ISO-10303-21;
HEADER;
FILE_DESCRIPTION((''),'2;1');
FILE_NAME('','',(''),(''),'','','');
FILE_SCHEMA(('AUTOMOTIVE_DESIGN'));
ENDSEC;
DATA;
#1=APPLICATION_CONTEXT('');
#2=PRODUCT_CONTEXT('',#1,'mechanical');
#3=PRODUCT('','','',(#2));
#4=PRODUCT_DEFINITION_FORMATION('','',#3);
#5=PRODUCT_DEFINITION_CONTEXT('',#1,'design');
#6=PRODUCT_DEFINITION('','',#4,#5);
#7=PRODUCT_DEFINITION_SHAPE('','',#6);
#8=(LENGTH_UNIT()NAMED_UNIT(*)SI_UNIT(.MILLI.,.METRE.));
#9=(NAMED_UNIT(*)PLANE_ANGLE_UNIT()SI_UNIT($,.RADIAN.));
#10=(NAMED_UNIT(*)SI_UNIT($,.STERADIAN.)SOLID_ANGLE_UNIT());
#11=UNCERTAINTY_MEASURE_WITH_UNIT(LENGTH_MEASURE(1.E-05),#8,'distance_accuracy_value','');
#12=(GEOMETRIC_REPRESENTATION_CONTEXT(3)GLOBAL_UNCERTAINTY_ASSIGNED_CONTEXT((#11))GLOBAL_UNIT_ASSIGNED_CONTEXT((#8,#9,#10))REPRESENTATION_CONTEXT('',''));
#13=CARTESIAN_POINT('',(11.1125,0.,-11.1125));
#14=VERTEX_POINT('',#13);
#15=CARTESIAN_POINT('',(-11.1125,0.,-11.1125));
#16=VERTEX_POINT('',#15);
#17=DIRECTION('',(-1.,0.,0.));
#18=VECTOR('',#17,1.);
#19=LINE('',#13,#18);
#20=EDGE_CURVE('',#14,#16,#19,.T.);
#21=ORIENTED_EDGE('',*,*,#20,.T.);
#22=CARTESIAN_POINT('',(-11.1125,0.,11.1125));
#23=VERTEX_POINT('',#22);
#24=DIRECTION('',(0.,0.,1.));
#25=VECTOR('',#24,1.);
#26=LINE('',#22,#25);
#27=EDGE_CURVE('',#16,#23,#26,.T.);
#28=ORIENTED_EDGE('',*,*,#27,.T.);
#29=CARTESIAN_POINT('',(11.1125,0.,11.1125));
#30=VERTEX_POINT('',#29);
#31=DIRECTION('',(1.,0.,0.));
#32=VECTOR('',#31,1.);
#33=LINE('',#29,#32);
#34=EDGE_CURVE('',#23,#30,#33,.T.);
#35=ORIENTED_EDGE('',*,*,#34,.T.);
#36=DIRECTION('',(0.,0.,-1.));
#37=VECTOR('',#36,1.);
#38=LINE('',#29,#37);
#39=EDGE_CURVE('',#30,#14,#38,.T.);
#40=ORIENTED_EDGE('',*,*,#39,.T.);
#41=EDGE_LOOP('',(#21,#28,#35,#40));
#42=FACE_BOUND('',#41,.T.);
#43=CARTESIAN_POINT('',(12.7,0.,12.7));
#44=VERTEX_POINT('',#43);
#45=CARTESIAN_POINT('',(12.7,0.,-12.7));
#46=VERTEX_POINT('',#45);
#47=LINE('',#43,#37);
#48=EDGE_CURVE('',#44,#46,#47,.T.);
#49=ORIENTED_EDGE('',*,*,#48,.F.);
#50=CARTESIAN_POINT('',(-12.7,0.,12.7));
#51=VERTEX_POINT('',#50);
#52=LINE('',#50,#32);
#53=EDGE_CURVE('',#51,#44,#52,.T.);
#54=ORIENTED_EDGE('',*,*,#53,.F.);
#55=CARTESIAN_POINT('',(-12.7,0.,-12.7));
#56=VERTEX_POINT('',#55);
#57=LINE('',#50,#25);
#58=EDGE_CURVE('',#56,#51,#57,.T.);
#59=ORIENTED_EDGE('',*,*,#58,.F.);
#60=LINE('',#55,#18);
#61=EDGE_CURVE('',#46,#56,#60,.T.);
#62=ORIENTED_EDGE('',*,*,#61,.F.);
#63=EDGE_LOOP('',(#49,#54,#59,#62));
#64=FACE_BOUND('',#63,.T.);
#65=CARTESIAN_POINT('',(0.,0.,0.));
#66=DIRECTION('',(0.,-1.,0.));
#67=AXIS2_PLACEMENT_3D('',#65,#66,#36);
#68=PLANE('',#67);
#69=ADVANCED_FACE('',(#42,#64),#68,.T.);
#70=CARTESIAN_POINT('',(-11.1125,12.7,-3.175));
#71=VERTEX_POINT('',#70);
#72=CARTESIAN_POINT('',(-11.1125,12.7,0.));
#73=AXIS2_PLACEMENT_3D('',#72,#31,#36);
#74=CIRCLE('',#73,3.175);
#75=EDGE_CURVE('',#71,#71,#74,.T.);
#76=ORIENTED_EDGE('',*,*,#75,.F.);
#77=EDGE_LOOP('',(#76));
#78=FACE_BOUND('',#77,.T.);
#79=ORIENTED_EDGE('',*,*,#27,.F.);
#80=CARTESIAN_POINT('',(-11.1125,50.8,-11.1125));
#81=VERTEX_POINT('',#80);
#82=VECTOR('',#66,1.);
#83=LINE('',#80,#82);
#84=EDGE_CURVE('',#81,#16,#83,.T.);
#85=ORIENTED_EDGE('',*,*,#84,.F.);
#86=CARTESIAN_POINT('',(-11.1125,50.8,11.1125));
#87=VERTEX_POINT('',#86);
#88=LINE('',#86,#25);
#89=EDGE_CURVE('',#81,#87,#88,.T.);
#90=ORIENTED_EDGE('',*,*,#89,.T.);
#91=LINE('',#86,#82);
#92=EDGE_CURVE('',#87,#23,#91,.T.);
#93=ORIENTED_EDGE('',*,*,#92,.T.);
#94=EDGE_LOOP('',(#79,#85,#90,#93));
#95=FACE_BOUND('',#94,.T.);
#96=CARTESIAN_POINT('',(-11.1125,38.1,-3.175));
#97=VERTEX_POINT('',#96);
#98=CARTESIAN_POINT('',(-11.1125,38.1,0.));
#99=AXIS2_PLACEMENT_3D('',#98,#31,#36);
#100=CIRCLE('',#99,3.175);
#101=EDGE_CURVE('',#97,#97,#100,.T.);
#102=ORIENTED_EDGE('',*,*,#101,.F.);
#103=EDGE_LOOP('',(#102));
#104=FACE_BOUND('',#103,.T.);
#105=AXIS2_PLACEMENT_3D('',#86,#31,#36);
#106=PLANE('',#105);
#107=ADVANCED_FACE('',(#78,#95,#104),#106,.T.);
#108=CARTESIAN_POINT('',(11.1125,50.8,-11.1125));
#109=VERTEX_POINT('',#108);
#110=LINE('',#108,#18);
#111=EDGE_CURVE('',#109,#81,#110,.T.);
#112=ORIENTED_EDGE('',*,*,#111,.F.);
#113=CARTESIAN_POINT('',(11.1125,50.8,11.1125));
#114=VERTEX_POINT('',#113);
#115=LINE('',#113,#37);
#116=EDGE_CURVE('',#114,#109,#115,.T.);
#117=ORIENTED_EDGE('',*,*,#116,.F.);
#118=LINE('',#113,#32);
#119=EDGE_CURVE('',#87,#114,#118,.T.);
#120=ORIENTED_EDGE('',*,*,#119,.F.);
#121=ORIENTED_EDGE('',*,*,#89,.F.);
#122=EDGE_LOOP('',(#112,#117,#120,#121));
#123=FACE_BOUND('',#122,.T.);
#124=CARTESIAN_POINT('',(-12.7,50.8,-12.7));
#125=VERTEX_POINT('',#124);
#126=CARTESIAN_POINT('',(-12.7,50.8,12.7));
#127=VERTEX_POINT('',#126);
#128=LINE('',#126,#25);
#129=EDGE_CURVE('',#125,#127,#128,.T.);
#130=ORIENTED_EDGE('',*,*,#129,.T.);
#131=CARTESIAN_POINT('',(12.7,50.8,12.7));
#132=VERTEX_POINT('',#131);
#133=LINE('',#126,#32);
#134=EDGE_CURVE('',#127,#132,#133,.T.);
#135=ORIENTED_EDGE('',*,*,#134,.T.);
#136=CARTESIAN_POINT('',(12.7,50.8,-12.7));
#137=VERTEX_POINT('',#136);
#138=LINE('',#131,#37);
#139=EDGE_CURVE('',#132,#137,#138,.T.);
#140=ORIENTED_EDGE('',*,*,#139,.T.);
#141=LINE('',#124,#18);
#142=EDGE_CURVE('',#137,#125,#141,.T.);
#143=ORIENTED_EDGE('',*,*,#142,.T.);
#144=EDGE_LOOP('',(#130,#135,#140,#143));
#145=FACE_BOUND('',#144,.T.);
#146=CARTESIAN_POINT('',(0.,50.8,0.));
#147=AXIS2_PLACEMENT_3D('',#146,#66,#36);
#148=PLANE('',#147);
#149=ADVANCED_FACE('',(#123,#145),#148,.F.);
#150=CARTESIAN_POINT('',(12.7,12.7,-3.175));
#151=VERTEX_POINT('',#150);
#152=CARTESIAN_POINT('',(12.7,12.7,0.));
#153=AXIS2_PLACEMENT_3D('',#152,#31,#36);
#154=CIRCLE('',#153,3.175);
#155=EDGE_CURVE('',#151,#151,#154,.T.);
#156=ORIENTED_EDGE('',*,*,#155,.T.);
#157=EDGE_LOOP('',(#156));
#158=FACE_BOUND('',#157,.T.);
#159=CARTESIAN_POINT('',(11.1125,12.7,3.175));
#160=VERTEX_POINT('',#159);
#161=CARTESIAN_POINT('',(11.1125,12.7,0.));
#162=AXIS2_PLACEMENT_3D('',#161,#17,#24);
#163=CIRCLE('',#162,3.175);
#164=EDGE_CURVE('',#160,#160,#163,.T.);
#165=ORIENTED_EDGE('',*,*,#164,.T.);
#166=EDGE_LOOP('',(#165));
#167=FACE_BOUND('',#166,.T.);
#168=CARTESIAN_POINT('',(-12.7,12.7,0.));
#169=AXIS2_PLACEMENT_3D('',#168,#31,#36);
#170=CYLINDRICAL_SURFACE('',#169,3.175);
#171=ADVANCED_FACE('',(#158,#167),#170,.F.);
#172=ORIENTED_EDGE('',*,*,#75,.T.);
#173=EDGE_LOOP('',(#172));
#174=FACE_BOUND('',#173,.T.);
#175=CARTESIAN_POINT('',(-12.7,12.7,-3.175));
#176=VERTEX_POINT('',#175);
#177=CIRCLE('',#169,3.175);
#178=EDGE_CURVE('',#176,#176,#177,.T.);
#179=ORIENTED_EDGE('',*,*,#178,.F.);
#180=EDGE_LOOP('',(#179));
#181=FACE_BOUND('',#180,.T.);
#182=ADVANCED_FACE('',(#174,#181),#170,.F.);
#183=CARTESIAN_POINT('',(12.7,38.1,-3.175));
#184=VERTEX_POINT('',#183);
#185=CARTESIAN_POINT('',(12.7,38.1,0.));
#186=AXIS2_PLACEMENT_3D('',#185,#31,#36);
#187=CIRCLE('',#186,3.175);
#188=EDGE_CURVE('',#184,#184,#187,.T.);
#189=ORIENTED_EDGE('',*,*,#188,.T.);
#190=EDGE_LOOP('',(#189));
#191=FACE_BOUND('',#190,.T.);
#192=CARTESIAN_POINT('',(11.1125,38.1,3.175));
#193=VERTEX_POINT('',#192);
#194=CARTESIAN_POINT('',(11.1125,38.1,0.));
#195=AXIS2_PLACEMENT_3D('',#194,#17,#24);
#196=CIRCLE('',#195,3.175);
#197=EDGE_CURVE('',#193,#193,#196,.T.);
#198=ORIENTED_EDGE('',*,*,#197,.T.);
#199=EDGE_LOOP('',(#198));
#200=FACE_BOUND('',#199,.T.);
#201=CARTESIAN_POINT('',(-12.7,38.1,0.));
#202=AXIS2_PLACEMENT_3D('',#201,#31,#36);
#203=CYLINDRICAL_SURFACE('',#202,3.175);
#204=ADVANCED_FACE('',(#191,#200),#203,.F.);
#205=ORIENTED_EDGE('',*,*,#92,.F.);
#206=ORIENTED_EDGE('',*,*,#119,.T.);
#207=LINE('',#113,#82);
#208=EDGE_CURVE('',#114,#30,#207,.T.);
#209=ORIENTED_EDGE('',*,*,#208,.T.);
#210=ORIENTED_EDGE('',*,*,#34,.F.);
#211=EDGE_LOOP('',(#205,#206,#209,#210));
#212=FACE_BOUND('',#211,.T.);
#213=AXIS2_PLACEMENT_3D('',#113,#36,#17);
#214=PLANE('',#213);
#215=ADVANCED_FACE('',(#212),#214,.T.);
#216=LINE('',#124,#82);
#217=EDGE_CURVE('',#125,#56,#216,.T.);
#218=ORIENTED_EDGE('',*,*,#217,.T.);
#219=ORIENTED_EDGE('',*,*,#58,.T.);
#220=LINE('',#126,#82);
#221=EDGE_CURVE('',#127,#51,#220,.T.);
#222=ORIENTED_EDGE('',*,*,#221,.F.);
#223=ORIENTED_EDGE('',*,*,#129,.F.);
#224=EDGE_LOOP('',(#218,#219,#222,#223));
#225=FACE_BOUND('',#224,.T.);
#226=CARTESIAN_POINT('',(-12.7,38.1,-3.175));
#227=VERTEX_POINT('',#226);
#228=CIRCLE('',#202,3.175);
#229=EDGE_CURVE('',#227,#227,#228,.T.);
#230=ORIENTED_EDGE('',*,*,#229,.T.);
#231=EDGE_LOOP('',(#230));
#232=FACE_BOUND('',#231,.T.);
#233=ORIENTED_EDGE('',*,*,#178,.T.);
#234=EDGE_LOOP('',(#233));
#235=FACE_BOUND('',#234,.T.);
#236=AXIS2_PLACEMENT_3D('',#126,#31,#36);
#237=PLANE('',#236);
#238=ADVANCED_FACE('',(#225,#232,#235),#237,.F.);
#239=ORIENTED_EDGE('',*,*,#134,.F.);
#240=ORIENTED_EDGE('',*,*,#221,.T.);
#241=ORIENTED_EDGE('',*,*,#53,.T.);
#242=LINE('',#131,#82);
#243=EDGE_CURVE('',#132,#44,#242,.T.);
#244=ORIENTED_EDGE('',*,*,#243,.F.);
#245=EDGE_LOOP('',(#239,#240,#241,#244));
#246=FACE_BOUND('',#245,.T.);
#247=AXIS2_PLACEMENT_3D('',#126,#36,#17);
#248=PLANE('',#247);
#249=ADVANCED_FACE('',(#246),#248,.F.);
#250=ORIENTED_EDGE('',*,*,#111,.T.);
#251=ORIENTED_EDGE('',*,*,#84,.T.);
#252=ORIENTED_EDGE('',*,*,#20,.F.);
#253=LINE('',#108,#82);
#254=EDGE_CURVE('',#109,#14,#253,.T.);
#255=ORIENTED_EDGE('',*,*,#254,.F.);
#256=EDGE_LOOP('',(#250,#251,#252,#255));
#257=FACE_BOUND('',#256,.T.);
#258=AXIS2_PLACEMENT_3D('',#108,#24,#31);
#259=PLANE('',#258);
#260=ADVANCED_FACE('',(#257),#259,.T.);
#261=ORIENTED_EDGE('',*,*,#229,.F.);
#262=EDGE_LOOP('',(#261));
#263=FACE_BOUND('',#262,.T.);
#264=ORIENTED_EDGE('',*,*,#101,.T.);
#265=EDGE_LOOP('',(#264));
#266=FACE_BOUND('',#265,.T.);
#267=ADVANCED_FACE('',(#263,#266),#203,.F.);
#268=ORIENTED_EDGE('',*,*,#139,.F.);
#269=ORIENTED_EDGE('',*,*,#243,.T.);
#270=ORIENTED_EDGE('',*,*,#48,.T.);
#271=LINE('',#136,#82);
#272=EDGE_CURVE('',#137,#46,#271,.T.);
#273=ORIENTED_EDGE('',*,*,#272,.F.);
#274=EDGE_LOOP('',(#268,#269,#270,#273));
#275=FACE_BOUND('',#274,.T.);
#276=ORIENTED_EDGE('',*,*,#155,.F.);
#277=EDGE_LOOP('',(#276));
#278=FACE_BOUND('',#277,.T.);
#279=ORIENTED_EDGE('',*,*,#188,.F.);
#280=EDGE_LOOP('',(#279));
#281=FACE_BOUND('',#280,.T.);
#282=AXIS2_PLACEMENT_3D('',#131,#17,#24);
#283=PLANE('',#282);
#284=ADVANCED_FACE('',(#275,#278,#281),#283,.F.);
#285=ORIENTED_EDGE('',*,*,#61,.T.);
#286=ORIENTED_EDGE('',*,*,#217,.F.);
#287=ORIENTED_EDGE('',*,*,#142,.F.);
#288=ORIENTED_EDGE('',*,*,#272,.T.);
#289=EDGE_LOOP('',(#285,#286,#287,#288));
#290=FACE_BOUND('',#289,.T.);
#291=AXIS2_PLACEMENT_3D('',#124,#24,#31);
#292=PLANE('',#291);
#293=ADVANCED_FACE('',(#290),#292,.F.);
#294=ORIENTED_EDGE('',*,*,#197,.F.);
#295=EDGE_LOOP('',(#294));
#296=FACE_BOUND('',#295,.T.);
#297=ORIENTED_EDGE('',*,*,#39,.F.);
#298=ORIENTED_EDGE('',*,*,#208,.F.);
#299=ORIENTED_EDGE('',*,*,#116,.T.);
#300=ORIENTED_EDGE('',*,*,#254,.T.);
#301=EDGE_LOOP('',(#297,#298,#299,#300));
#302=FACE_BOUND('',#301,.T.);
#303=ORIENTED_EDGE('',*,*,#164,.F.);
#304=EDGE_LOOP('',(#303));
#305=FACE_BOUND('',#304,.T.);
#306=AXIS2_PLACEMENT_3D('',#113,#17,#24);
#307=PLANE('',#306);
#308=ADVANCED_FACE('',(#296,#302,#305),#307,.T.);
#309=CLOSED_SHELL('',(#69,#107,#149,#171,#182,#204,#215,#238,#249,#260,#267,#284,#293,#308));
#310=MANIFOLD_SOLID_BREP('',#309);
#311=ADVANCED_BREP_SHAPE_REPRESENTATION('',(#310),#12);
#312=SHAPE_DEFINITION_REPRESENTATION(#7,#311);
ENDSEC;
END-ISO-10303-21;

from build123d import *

# Parameters (mm, degrees)
SKETCH1_W           = 25.4
SKETCH1_H           = 25.4
SKETCH1_W_2         = 22.225
SKETCH1_H_2         = 22.225
BOSS_EXTRUDE1_DEPTH = 50.8
SKETCH2_R           = 3.175
CUT_EXTRUDE1_DEPTH  = 26.4


with BuildPart() as part:
    # Sketch1 → Boss-Extrude1 (new body)
    with BuildSketch(Plane(origin=(0, 0, 0), x_dir=(1, 0, 0), z_dir=(0, 1, 0))):
        Rectangle(SKETCH1_W, SKETCH1_H)
        Rectangle(SKETCH1_W_2, SKETCH1_H_2, mode=Mode.SUBTRACT)
    extrude(amount=BOSS_EXTRUDE1_DEPTH)

    # Sketch2 → Cut-Extrude1 (cut, through all)
    with BuildSketch(Plane(origin=(12.7, 0, 0), x_dir=(0, 0, -1), z_dir=(1, 0, 0))):
        with Locations((0, 38.1)):
            Circle(SKETCH2_R)
        with Locations((0, 12.7)):
            Circle(SKETCH2_R)
    extrude(amount=-CUT_EXTRUDE1_DEPTH, mode=Mode.SUBTRACT)


solid = part.part
